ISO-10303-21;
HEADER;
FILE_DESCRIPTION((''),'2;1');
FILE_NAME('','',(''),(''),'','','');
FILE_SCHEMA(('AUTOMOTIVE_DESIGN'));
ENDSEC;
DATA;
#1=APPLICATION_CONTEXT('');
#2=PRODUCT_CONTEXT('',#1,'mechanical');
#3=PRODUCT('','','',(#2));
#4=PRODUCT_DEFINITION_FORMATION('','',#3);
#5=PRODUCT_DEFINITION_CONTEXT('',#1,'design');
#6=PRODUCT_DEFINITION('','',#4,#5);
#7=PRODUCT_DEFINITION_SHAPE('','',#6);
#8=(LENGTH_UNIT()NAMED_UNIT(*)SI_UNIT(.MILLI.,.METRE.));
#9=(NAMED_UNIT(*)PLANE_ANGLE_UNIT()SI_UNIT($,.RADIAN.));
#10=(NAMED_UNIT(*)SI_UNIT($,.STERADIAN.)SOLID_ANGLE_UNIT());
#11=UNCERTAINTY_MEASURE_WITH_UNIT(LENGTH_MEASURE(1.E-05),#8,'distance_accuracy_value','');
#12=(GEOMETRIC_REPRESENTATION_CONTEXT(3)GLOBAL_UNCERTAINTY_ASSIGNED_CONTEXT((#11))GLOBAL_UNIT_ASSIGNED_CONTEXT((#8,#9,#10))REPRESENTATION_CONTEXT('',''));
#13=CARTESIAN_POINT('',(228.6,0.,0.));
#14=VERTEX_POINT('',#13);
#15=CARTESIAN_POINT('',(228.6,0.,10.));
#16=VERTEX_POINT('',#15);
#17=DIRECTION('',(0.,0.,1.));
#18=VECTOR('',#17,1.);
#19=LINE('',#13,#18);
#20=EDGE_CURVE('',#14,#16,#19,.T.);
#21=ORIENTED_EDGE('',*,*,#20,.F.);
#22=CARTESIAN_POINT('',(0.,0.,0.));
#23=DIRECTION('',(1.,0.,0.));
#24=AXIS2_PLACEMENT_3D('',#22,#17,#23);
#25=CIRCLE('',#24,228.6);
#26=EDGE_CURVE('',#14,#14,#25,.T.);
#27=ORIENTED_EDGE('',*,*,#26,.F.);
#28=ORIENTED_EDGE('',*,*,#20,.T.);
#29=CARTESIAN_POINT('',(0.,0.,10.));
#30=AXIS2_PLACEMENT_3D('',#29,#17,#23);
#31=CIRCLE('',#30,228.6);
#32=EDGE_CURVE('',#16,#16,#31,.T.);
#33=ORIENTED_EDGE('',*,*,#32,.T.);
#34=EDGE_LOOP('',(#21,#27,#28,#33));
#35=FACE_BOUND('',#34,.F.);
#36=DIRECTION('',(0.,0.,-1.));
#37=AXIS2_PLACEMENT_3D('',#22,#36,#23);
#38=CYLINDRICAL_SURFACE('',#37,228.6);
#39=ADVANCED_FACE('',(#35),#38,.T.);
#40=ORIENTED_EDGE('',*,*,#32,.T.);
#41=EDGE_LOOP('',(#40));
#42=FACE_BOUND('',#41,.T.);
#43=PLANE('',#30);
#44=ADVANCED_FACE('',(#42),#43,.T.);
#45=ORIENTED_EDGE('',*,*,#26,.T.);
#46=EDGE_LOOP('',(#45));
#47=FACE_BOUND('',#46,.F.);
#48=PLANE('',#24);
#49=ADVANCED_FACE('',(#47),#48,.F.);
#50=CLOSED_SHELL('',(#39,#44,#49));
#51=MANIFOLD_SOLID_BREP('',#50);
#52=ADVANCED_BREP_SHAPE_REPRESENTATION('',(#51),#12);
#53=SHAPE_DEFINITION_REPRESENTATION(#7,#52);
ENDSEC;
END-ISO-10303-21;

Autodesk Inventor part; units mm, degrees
ref_plane "YZ Plane" through (0, 0, 0) normal (1, 0, 0) x (0, 1, 0)
ref_plane "XZ Plane" through (0, 0, 0) normal (0, 1, 0) x (-1, 0, 0)
ref_plane "XY Plane" through (0, 0, 0) normal (0, 0, 1) x (1, 0, 0)
sketch "Sketch1" plane through (0, 0, 0) normal (0, 0, 1) x (1, 0, 0)
  circle A0 centre (0, 0) radius 228.6
  dimension "d0" = 457.2
extrude "Extrusion1" add sketch "Sketch1" along normal blind 10
properties part number "circle"
